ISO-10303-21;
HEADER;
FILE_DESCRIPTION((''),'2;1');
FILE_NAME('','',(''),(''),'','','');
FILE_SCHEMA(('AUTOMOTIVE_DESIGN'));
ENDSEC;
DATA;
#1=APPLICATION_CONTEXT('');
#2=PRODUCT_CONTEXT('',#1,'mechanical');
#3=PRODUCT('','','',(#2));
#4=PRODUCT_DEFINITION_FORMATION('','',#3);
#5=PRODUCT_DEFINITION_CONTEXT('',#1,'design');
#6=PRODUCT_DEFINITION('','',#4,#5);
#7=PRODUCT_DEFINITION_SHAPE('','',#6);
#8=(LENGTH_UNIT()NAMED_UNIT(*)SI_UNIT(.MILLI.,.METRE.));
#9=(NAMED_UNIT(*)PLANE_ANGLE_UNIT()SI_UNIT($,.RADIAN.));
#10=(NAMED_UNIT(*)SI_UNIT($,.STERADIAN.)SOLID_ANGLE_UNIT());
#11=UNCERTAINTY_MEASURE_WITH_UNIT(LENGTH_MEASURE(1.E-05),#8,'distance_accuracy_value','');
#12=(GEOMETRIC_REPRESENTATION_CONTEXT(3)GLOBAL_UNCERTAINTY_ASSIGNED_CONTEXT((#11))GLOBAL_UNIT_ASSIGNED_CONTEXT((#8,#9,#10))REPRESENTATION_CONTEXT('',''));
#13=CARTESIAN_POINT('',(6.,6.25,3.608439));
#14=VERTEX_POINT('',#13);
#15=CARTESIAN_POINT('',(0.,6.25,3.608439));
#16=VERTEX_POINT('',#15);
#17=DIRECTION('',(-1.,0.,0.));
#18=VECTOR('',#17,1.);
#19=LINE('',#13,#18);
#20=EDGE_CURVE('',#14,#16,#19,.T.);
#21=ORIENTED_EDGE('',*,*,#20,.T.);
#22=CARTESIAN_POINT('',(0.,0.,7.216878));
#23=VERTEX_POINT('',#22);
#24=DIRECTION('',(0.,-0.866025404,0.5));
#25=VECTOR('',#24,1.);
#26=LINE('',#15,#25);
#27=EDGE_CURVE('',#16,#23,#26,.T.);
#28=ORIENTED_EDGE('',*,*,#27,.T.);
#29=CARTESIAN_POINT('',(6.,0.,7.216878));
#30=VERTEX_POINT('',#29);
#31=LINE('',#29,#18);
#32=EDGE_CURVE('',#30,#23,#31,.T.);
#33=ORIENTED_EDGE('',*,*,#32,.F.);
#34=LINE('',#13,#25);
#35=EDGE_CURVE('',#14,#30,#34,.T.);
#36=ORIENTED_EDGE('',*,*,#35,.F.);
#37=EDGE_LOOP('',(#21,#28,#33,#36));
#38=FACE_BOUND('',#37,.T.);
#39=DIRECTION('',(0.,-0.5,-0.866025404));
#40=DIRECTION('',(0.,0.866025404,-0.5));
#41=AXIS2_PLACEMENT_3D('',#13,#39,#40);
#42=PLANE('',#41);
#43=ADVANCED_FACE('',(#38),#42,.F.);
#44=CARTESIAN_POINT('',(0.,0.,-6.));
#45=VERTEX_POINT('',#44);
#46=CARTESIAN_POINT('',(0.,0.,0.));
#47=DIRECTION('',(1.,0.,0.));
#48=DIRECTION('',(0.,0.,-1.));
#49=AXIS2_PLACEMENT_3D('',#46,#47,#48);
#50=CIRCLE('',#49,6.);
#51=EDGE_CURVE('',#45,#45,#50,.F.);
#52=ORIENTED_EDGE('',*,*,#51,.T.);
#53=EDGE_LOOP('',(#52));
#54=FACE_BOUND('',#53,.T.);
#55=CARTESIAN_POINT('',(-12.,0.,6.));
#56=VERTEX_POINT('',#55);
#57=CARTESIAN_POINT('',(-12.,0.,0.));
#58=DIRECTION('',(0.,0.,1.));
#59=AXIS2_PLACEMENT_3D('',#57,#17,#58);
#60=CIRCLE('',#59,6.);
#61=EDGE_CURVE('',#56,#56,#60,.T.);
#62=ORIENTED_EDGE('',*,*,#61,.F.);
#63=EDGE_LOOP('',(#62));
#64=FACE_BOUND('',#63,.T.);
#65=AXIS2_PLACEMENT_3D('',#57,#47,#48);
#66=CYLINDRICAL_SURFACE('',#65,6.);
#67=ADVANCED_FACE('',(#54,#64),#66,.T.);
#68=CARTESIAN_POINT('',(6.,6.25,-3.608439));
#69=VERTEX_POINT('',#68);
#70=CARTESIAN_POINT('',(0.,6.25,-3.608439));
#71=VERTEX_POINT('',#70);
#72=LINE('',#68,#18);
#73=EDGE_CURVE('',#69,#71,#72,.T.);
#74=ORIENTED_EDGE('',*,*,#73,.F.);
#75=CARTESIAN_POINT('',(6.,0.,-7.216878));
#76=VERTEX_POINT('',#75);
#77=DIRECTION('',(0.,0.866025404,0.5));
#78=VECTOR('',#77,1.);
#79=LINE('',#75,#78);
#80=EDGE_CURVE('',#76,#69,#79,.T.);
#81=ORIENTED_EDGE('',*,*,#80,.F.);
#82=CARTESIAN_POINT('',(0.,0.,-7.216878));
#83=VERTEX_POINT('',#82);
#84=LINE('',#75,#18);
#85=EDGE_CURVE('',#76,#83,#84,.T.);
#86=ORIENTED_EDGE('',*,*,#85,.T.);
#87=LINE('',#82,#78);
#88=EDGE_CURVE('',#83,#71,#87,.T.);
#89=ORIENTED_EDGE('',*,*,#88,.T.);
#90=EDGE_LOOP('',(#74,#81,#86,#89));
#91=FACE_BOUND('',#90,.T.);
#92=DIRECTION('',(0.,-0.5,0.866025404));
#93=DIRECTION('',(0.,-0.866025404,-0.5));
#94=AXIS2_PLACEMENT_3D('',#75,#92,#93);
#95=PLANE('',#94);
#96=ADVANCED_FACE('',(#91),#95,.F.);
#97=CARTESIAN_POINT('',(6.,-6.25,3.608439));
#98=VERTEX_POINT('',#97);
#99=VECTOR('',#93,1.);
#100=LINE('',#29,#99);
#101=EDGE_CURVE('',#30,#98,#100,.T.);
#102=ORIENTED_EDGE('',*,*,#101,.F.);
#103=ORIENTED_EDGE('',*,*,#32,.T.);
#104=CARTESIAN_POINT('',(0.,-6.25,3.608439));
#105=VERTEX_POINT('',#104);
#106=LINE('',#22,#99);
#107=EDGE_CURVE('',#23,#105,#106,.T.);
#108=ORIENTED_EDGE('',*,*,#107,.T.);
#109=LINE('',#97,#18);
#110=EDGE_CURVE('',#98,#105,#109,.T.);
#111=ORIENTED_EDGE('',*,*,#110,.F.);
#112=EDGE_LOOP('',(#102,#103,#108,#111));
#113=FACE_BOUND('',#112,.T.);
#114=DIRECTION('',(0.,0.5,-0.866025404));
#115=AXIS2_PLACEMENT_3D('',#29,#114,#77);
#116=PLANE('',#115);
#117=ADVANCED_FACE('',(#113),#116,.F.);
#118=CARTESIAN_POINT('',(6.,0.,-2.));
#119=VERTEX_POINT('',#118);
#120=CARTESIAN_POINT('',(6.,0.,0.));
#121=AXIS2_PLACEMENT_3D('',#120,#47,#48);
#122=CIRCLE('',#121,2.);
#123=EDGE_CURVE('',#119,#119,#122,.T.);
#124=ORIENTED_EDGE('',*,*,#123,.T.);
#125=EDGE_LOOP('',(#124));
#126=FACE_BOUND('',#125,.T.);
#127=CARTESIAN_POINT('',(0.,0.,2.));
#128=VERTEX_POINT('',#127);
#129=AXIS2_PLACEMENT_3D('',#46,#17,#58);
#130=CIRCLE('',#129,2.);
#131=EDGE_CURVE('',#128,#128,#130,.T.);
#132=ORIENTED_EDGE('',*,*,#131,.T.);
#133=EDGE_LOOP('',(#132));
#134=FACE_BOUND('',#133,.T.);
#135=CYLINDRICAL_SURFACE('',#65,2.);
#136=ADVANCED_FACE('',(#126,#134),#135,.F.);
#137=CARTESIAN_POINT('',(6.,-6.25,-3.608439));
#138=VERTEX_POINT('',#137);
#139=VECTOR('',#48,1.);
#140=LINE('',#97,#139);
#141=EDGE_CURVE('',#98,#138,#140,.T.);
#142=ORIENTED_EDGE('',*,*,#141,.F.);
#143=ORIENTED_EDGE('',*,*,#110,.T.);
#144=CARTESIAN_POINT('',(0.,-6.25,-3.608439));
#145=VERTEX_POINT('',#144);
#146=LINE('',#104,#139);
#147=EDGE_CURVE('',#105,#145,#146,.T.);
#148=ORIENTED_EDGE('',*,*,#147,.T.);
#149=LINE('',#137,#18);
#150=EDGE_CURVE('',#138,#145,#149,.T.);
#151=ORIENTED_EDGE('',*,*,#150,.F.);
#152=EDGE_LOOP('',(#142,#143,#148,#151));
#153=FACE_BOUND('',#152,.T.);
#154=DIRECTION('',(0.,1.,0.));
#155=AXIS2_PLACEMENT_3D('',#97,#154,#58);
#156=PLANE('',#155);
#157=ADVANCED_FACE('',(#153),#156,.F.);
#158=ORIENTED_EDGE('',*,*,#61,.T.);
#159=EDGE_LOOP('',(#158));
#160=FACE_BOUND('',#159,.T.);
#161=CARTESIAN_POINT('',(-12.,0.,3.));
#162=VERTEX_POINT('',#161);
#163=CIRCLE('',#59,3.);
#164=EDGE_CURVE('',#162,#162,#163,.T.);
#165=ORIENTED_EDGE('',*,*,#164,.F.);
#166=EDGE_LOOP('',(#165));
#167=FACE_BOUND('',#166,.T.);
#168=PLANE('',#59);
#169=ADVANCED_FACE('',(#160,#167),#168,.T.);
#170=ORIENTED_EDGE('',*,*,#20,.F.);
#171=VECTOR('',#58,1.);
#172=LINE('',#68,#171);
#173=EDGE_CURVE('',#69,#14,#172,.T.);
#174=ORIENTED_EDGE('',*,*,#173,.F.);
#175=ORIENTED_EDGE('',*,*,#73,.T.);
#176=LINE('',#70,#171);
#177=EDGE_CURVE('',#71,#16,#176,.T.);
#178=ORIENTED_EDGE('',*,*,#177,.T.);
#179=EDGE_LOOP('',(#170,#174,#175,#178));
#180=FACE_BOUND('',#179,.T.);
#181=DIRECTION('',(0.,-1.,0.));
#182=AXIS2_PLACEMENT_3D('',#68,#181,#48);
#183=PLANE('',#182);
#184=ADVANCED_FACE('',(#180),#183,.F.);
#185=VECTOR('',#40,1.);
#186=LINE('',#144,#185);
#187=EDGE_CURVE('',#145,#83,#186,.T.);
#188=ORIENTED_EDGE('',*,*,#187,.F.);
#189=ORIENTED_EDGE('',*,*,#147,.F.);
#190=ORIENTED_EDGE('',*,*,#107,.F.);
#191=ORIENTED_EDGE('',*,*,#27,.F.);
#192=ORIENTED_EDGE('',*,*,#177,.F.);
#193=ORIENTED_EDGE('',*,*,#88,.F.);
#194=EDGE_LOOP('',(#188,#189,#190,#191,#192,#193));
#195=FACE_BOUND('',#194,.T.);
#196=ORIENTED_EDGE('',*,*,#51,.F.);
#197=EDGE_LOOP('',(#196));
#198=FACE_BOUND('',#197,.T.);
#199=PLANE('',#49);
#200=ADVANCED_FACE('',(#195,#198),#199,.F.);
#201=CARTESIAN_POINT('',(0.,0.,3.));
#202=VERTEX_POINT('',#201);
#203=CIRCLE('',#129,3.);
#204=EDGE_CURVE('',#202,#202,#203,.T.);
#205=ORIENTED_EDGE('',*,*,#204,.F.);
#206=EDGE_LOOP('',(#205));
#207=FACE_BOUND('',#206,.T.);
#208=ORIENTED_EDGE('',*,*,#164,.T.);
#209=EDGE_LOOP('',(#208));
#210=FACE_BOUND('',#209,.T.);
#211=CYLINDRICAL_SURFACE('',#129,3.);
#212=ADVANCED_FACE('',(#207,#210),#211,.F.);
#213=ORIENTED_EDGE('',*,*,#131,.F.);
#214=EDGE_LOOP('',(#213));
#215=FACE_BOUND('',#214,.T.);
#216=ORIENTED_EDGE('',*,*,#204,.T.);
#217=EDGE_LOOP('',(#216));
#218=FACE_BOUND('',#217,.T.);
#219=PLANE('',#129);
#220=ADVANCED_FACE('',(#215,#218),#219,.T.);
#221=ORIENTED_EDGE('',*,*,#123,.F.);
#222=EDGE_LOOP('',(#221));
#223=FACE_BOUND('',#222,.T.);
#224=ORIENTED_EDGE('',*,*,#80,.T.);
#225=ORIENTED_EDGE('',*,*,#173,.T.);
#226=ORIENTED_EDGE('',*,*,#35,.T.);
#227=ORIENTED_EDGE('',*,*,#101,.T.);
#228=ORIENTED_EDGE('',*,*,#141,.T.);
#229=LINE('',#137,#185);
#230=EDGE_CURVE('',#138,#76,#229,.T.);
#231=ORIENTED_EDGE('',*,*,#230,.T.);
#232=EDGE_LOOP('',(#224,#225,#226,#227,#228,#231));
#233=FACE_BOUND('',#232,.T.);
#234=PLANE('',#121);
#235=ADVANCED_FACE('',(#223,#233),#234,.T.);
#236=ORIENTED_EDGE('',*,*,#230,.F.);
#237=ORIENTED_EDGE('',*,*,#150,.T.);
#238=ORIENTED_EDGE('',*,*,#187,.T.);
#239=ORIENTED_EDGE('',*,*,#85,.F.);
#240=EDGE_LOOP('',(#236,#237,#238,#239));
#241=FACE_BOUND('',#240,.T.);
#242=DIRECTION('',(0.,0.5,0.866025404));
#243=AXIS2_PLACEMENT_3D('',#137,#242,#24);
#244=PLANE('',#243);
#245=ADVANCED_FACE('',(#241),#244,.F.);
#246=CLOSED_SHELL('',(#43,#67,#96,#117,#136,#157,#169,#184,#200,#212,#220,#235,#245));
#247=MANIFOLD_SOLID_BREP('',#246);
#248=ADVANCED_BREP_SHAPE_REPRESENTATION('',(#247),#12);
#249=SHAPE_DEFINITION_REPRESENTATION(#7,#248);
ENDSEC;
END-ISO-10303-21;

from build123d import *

# Parameters (mm, degrees)
BOSS_EXTRUDE1_DEPTH = 6
SKETCH2_R           = 6
BOSS_EXTRUDE2_DEPTH = 12
SKETCH3_R           = 3
CUT_EXTRUDE1_DEPTH  = 12
SKETCH4_R           = 2
CUT_EXTRUDE2_DEPTH  = 21.375127811


with BuildPart() as part:
    # Sketch1 → Boss-Extrude1 (new body)
    with BuildSketch(Plane(origin=(0, 0, 0), x_dir=(0, 0, -1), z_dir=(1, 0, 0))):
        Polygon((7.216878365, 0), (3.608439182, 6.25), (-3.608439182, 6.25), (-7.216878365, 0), (-3.608439182, -6.25), (3.608439182, -6.25), align=None)
    extrude(amount=BOSS_EXTRUDE1_DEPTH)

    # Sketch2 → Boss-Extrude2 (add)
    with BuildSketch(Plane.ZY):
        with Locations(Location((0, 0, 0), (0, 0, 180))):
            Circle(SKETCH2_R)
    extrude(amount=BOSS_EXTRUDE2_DEPTH)

    # Sketch3 → Cut-Extrude1 (cut)
    with BuildSketch(Plane.ZY.offset(12)):
        Circle(SKETCH3_R)
    extrude(amount=-CUT_EXTRUDE1_DEPTH, mode=Mode.SUBTRACT)

    # Sketch4 → Cut-Extrude2 (cut, through all)
    with BuildSketch(Plane(origin=(6, 0, 0), x_dir=(0, 0, -1), z_dir=(1, 0, 0))):
        Circle(SKETCH4_R)
    extrude(amount=-CUT_EXTRUDE2_DEPTH, mode=Mode.SUBTRACT)


solid = part.part
